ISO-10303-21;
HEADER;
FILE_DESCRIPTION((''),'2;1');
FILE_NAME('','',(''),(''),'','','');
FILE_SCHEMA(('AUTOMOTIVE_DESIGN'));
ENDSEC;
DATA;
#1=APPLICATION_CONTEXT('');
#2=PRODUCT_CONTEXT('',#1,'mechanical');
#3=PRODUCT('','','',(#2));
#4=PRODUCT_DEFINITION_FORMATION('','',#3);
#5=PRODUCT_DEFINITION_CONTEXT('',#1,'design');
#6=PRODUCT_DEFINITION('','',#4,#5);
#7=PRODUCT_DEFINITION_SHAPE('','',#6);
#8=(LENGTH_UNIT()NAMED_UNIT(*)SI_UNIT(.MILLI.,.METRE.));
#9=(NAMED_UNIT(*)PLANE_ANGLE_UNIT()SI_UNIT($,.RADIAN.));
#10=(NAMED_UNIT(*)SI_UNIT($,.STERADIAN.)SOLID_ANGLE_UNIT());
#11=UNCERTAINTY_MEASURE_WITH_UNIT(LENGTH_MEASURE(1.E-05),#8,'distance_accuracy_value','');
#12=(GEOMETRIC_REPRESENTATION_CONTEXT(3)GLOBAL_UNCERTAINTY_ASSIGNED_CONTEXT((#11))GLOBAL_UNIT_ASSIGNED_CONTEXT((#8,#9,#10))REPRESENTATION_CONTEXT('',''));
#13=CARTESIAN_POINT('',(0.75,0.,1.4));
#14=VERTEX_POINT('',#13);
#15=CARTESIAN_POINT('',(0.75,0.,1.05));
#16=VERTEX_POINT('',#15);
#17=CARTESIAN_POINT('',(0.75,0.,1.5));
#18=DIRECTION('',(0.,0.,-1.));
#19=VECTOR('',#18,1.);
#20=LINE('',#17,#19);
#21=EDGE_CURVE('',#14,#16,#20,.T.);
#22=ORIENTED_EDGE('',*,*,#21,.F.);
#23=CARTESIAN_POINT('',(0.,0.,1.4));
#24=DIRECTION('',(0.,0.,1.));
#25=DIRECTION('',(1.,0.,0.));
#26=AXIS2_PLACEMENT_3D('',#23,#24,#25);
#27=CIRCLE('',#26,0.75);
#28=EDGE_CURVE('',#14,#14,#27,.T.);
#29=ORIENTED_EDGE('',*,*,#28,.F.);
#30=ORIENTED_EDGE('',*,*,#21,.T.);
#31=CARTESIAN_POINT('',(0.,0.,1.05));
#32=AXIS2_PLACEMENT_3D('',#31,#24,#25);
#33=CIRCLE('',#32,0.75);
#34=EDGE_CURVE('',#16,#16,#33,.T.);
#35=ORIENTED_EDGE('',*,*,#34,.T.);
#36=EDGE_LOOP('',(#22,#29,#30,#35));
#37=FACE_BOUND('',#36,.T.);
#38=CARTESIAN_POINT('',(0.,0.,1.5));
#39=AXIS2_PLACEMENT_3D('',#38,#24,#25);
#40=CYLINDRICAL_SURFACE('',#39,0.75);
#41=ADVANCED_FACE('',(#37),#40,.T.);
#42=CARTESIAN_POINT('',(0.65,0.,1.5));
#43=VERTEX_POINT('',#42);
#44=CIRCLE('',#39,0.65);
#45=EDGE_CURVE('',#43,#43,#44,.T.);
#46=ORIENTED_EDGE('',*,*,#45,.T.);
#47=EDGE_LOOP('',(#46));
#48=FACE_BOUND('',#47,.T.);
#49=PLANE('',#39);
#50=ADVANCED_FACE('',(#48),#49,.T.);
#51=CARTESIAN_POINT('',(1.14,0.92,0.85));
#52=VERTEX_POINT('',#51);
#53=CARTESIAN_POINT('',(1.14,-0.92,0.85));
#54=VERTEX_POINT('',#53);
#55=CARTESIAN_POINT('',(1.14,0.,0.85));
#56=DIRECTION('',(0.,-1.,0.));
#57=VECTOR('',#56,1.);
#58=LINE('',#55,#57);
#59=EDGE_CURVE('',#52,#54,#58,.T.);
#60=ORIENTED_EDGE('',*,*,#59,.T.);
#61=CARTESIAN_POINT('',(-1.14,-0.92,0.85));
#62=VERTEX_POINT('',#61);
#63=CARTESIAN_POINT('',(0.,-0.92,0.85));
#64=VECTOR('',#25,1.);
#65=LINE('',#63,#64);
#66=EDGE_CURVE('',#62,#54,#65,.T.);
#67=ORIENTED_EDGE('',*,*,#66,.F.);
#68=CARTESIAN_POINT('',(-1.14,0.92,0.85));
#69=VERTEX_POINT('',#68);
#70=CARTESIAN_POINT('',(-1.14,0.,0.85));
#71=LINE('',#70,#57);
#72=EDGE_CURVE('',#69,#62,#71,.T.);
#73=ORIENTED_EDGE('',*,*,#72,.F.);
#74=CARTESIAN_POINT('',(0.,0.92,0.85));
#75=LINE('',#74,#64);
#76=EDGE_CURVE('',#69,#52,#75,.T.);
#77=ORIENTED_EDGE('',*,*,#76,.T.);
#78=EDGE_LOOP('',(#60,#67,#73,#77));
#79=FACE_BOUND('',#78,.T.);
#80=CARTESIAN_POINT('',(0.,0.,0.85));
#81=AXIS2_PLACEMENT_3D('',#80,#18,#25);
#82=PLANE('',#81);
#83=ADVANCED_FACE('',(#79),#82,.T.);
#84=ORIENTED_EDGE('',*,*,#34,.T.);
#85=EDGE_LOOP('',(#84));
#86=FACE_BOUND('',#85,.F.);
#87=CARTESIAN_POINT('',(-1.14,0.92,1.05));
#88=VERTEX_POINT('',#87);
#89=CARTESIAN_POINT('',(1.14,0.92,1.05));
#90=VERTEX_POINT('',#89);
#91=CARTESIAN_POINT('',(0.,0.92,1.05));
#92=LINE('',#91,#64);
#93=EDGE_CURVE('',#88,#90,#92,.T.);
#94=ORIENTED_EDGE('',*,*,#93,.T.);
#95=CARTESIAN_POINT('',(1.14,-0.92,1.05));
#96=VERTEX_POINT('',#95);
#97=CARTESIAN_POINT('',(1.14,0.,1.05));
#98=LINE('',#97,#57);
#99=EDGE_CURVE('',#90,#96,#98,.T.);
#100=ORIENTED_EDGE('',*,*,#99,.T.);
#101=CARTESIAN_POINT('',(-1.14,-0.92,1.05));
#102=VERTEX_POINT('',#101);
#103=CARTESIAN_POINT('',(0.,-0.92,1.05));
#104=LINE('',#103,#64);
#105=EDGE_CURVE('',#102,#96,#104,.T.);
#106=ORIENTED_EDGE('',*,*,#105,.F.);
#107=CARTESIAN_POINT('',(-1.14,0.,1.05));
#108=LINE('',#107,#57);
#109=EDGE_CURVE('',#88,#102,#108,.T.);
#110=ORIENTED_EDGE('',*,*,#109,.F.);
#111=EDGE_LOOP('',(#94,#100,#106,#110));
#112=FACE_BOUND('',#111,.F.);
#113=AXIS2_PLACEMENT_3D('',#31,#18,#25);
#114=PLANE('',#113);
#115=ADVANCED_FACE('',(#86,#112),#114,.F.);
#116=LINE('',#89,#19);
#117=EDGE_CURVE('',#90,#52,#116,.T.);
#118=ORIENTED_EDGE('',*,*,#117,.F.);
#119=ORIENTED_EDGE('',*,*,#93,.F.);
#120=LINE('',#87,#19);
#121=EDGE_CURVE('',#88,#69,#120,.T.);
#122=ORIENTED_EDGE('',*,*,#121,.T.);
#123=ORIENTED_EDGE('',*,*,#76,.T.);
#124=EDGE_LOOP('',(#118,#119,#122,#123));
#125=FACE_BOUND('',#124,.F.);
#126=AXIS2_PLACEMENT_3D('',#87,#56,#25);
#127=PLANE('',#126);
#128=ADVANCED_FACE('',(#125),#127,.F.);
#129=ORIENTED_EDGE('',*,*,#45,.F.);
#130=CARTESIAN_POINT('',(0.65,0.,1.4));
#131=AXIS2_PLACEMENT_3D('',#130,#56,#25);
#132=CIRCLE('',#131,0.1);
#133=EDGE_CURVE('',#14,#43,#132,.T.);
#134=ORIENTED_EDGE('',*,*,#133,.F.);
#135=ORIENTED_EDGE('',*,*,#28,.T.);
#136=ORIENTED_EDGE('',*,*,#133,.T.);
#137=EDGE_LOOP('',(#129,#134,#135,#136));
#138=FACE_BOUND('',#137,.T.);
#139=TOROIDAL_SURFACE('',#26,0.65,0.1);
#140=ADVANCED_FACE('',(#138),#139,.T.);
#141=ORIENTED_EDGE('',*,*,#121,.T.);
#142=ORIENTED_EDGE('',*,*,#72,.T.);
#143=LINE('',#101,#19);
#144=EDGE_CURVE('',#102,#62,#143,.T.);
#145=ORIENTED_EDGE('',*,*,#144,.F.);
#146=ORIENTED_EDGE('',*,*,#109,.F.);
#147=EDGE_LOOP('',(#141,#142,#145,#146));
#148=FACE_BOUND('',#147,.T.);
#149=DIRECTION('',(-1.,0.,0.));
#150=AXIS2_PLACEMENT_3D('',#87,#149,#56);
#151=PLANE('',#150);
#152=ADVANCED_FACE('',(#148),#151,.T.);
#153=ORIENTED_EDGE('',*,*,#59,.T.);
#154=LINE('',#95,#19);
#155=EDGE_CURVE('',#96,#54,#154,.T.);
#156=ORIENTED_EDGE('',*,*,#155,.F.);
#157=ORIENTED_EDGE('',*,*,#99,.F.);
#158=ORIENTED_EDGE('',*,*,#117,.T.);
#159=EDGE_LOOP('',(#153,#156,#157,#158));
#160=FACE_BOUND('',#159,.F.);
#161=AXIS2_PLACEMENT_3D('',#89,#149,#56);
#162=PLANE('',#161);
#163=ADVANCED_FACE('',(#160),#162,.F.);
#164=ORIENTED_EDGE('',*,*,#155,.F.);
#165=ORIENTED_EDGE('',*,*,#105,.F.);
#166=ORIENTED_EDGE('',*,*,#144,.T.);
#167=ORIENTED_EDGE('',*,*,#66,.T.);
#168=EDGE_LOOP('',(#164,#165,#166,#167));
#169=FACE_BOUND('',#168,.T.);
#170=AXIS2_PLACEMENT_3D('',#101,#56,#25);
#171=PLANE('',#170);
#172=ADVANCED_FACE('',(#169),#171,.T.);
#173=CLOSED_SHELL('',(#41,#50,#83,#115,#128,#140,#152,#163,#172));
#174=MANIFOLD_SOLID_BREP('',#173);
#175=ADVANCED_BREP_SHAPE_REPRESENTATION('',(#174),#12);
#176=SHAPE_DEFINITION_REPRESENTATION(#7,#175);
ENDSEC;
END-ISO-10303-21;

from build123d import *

# Parameters (mm, degrees)
SKETCH050_R  = 0.75
PAD031_DEPTH = 0.45
SKETCH051_W  = 2.28
SKETCH051_H  = 1.84
PAD032_DEPTH = 0.2
FILLET007_R  = 0.1


with BuildPart() as part:
    # Sketch050 (on DatumPlane) → Pad031 (new body)
    with BuildSketch(Plane.XY.offset(1.5)):
        Circle(SKETCH050_R)
    extrude(amount=-PAD031_DEPTH)

    # Sketch051 (on Face3 of Pad031) → Pad032 (join)
    with BuildSketch(Plane(origin=(0, 0, 1.05), x_dir=(1, 0, 0), z_dir=(0, 0, -1))):
        Rectangle(SKETCH051_W, SKETCH051_H)
    extrude(amount=PAD032_DEPTH)

    # Fillet007
    fillet007_edges = [part.edges().sort_by_distance(p)[0] for p in [
        (-0.75, 0, 1.5),
    ]]
    fillet(fillet007_edges, radius=FILLET007_R)


solid = part.part
